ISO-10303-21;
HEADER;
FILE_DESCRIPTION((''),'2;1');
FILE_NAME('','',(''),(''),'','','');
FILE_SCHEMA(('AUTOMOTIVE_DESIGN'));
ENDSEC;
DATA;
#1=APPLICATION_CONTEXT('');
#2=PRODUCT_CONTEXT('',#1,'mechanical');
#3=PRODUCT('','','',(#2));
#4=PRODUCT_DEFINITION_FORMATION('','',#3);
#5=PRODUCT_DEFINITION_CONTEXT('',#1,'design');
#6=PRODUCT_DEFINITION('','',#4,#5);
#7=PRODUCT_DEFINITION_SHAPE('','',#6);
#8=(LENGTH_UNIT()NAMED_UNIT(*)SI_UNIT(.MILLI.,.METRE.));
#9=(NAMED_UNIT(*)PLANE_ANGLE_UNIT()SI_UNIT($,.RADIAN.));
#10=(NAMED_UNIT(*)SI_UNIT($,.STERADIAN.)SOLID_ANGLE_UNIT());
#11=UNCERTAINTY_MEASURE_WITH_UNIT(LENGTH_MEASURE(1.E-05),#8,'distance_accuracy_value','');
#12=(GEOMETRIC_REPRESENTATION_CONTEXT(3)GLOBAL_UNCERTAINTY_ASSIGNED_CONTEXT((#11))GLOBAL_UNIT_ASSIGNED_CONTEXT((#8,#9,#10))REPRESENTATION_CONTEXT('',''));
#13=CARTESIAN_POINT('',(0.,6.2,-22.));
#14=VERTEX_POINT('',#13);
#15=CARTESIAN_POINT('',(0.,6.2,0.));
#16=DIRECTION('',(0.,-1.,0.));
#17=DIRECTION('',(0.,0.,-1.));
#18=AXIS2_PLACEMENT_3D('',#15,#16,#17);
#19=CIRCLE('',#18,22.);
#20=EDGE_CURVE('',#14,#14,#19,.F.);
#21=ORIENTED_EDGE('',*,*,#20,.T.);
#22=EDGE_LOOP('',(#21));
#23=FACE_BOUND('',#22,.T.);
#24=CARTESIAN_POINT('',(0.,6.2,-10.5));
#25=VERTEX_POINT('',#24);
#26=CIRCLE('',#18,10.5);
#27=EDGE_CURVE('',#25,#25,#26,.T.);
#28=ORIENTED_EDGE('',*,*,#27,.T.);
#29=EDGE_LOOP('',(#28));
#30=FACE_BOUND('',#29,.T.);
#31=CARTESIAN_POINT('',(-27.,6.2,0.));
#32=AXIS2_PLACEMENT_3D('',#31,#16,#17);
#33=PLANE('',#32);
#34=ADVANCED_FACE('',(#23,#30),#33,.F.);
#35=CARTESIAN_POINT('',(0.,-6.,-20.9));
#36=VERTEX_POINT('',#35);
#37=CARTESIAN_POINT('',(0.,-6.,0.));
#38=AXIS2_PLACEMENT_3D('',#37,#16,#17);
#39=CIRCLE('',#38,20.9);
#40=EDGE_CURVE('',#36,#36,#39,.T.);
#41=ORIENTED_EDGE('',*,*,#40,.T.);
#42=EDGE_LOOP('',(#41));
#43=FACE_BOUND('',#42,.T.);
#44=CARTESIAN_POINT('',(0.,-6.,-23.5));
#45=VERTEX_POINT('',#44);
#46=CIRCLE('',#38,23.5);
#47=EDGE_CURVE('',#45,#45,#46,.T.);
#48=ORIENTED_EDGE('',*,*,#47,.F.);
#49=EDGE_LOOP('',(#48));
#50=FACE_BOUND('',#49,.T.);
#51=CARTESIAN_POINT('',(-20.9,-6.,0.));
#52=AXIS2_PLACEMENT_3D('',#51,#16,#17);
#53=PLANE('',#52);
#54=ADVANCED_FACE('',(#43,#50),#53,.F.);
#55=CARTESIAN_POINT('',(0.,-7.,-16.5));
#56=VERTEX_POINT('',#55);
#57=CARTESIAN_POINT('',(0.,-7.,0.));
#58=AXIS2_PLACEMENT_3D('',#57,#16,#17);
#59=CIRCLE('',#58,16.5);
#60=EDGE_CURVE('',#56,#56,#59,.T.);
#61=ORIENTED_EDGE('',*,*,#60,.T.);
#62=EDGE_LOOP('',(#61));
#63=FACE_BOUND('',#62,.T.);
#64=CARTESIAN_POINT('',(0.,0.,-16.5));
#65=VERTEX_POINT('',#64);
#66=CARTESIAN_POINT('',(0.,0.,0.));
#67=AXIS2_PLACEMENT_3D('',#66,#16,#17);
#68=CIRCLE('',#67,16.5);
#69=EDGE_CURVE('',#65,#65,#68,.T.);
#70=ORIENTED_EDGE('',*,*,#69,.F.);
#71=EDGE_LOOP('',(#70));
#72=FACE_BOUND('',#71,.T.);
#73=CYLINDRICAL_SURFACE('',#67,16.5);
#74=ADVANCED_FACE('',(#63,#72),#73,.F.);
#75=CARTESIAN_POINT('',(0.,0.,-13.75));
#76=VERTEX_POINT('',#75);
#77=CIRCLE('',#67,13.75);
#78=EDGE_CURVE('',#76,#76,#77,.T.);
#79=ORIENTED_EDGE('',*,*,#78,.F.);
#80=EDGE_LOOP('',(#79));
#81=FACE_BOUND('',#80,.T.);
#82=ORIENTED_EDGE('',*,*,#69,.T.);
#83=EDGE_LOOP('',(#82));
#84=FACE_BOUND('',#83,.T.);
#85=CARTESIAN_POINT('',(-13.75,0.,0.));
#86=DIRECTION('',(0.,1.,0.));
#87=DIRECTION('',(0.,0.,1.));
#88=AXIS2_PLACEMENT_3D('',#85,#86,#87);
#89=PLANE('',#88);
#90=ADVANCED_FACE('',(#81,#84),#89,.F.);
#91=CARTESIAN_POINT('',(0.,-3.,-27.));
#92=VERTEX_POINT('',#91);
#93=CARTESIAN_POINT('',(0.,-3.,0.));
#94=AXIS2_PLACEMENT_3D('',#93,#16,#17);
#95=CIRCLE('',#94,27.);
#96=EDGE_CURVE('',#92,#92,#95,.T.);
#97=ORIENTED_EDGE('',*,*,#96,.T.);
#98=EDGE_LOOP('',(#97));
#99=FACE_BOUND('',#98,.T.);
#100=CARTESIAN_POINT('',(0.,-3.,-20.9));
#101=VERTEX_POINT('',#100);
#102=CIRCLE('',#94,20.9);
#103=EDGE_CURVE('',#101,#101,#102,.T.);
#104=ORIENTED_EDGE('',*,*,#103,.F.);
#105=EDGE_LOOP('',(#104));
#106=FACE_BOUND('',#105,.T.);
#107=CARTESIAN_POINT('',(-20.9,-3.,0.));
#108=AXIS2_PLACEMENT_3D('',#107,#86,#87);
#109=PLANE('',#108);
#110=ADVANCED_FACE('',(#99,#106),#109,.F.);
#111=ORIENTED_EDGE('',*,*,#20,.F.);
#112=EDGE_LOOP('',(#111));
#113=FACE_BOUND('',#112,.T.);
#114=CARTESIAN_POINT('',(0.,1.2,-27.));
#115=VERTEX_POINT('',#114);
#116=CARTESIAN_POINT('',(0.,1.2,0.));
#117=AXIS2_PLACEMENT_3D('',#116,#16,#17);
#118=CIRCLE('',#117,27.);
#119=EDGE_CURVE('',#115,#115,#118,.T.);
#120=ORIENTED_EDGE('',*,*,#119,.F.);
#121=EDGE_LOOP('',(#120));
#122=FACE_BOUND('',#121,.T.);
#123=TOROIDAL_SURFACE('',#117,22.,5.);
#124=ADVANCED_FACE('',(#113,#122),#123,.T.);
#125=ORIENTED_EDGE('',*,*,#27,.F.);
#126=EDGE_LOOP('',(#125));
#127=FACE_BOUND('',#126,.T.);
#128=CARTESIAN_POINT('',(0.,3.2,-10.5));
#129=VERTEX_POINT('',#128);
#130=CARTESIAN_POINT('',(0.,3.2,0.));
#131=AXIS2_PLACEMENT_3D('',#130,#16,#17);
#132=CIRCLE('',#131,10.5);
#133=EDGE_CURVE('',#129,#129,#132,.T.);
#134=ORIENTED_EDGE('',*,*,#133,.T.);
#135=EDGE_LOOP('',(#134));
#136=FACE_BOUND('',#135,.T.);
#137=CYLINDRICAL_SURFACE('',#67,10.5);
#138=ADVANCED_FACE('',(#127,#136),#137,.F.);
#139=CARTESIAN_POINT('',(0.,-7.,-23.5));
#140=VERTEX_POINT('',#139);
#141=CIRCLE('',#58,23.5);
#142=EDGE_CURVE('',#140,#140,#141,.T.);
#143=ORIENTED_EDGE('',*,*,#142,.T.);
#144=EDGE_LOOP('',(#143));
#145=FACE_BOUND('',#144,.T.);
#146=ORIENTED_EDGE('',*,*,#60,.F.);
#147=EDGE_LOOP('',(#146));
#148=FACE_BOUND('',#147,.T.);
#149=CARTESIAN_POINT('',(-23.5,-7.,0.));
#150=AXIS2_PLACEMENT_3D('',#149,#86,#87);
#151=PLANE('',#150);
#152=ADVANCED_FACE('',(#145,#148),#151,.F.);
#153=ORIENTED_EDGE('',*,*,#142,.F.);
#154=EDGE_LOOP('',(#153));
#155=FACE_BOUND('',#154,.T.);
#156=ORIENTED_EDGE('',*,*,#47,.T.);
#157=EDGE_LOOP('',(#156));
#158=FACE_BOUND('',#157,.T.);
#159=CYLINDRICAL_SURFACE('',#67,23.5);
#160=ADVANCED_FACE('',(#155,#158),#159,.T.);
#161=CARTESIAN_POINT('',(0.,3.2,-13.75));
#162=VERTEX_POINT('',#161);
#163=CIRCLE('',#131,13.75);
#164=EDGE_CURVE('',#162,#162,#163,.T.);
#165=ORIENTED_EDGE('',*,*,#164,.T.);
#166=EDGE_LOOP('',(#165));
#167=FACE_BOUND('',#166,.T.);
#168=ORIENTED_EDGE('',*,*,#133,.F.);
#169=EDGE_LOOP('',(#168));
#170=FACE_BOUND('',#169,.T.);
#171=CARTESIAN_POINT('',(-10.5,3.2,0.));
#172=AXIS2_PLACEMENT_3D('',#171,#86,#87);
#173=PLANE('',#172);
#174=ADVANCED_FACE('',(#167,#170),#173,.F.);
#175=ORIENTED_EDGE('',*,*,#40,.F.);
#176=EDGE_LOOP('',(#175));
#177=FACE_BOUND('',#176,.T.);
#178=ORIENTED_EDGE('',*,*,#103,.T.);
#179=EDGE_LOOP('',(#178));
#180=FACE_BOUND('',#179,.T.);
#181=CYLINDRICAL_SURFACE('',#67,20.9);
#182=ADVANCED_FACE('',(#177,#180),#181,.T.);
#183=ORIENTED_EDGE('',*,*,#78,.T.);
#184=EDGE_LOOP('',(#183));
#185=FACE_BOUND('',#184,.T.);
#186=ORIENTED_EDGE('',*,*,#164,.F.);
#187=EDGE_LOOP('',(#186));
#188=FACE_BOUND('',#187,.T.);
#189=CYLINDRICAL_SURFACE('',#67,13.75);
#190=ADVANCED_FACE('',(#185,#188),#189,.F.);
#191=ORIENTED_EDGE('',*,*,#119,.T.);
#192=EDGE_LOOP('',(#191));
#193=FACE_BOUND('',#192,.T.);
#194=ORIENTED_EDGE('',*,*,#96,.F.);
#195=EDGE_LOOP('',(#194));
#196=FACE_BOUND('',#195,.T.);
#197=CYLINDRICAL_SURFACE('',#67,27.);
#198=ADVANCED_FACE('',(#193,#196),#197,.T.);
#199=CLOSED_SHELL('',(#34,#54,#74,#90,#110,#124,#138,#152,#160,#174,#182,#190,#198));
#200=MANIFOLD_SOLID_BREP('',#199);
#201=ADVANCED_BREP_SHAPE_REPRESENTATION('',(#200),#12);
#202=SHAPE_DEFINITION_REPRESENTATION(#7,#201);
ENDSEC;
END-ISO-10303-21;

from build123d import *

# Parameters (mm, degrees)
FILLET_1_R = 5


with BuildPart() as part:
    # 草图2 → 旋转1 (revolve)
    with BuildSketch(Plane.XY, mode=Mode.PRIVATE) as revolve_1_sk:
        Polygon((-13.75, 0), (-13.75, 3.2), (-10.5, 3.2), (-10.5, 6.2), (-27, 6.2), (-27, -3), (-20.9, -3), (-20.9, -6), (-23.5, -6), (-23.5, -7), (-16.5, -7), (-16.5, 0), align=None)
    revolve(revolve_1_sk.sketch.rotate(Axis((0, 0, 0), (0, 1, 0)), 270), axis=Axis((0, 0, 0), (0, 1, 0)))

    # 圆角1
    fillet_1_edges = [part.edges().sort_by_distance(p)[0] for p in [
        (0, 6.2, 27),
    ]]
    fillet(fillet_1_edges, radius=FILLET_1_R)


solid = part.part
